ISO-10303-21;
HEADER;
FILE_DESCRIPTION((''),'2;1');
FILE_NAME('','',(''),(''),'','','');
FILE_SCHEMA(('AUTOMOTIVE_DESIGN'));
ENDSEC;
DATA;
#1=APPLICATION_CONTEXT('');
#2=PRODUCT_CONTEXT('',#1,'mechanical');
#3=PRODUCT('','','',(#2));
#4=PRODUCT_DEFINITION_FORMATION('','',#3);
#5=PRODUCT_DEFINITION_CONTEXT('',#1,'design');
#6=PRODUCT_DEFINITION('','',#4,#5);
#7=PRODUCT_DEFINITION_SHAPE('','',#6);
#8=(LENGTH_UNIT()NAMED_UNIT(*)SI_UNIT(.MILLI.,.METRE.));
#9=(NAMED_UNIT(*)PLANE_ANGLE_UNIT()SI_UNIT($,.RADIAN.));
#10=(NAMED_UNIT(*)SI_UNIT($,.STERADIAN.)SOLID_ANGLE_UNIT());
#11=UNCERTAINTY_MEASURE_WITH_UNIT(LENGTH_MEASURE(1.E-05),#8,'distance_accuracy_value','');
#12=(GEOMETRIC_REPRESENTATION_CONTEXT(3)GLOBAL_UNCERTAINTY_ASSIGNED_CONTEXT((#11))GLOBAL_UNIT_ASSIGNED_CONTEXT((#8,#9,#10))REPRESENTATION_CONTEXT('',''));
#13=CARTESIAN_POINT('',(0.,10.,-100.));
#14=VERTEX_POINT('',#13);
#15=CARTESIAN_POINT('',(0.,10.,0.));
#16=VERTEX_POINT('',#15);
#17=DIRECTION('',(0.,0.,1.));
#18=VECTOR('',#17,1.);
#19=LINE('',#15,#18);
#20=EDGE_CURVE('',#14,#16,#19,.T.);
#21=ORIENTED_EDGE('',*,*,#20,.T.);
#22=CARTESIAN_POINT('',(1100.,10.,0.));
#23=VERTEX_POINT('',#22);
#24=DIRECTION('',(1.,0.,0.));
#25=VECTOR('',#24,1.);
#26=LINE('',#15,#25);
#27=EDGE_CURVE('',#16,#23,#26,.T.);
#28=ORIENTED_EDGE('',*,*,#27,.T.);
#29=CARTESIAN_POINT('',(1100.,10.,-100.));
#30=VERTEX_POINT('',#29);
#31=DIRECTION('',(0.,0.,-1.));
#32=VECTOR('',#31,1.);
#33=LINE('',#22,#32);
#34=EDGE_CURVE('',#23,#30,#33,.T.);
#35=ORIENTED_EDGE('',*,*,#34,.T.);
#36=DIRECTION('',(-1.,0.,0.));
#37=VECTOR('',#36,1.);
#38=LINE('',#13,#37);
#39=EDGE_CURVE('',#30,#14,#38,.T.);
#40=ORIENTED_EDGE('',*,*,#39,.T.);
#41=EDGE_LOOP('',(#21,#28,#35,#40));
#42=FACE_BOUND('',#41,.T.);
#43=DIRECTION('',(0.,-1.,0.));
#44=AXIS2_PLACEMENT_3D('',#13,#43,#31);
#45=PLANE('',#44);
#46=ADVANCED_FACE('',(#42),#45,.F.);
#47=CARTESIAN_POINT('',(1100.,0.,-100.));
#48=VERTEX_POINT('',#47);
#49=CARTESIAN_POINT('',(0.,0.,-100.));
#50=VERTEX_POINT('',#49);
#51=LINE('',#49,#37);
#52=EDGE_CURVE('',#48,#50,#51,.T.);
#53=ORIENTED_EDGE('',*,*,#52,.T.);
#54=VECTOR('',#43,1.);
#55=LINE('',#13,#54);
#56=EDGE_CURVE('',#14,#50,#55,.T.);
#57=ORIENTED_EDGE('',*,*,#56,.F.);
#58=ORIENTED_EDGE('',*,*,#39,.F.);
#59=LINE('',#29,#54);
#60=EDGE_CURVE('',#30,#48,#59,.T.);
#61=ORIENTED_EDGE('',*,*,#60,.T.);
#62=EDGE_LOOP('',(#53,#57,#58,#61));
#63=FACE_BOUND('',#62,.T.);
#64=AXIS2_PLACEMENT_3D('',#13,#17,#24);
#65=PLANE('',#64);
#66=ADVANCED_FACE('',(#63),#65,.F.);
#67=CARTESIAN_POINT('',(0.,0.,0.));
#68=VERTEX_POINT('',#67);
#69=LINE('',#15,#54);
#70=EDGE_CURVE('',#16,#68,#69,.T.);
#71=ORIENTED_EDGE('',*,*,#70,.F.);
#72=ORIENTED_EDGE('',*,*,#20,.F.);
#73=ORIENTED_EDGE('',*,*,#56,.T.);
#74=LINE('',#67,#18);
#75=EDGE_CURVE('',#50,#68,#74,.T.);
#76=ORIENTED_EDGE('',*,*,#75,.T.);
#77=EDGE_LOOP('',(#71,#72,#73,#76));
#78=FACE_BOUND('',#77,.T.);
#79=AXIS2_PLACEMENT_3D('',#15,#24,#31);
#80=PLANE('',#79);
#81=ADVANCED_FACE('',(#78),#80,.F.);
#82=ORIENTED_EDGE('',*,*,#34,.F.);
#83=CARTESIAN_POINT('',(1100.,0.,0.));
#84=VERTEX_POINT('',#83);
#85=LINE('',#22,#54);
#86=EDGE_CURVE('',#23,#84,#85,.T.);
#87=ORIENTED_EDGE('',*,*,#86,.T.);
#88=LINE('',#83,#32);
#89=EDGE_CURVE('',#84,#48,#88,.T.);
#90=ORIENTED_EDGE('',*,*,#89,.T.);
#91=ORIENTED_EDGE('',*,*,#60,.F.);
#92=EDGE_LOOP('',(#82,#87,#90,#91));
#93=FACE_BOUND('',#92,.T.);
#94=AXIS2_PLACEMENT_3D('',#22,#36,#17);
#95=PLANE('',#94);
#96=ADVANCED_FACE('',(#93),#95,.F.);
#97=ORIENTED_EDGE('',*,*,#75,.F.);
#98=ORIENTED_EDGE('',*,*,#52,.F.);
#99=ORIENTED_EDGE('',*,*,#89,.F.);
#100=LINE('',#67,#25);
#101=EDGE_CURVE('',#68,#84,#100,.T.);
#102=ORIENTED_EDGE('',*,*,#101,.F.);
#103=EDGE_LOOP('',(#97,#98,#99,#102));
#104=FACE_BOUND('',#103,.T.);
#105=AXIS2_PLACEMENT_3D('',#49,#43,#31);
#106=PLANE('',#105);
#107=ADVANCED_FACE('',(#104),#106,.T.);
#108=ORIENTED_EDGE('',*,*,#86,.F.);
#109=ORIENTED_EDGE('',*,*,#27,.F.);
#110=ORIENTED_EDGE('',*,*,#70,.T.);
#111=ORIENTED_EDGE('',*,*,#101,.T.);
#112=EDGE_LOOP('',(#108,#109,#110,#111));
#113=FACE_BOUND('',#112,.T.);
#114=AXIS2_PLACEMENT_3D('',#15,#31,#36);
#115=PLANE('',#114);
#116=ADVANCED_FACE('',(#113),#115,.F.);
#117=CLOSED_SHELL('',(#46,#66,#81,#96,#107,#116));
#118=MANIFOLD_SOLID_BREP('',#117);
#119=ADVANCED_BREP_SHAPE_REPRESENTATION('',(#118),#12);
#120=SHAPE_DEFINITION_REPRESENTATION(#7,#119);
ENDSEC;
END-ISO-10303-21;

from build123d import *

# Parameters (mm, degrees)
ESQUISSE1_W      = 1100
ESQUISSE1_H      = 100
EXTRUSION1_DEPTH = 10


with BuildPart() as part:
    # Esquisse1 → Extrusion1 (new body)
    with BuildSketch(Plane(origin=(0, 0, 0), x_dir=(1, 0, 0), z_dir=(0, 1, 0))):
        with Locations((550, 50)):
            Rectangle(ESQUISSE1_W, ESQUISSE1_H)
    extrude(amount=EXTRUSION1_DEPTH)


solid = part.part
